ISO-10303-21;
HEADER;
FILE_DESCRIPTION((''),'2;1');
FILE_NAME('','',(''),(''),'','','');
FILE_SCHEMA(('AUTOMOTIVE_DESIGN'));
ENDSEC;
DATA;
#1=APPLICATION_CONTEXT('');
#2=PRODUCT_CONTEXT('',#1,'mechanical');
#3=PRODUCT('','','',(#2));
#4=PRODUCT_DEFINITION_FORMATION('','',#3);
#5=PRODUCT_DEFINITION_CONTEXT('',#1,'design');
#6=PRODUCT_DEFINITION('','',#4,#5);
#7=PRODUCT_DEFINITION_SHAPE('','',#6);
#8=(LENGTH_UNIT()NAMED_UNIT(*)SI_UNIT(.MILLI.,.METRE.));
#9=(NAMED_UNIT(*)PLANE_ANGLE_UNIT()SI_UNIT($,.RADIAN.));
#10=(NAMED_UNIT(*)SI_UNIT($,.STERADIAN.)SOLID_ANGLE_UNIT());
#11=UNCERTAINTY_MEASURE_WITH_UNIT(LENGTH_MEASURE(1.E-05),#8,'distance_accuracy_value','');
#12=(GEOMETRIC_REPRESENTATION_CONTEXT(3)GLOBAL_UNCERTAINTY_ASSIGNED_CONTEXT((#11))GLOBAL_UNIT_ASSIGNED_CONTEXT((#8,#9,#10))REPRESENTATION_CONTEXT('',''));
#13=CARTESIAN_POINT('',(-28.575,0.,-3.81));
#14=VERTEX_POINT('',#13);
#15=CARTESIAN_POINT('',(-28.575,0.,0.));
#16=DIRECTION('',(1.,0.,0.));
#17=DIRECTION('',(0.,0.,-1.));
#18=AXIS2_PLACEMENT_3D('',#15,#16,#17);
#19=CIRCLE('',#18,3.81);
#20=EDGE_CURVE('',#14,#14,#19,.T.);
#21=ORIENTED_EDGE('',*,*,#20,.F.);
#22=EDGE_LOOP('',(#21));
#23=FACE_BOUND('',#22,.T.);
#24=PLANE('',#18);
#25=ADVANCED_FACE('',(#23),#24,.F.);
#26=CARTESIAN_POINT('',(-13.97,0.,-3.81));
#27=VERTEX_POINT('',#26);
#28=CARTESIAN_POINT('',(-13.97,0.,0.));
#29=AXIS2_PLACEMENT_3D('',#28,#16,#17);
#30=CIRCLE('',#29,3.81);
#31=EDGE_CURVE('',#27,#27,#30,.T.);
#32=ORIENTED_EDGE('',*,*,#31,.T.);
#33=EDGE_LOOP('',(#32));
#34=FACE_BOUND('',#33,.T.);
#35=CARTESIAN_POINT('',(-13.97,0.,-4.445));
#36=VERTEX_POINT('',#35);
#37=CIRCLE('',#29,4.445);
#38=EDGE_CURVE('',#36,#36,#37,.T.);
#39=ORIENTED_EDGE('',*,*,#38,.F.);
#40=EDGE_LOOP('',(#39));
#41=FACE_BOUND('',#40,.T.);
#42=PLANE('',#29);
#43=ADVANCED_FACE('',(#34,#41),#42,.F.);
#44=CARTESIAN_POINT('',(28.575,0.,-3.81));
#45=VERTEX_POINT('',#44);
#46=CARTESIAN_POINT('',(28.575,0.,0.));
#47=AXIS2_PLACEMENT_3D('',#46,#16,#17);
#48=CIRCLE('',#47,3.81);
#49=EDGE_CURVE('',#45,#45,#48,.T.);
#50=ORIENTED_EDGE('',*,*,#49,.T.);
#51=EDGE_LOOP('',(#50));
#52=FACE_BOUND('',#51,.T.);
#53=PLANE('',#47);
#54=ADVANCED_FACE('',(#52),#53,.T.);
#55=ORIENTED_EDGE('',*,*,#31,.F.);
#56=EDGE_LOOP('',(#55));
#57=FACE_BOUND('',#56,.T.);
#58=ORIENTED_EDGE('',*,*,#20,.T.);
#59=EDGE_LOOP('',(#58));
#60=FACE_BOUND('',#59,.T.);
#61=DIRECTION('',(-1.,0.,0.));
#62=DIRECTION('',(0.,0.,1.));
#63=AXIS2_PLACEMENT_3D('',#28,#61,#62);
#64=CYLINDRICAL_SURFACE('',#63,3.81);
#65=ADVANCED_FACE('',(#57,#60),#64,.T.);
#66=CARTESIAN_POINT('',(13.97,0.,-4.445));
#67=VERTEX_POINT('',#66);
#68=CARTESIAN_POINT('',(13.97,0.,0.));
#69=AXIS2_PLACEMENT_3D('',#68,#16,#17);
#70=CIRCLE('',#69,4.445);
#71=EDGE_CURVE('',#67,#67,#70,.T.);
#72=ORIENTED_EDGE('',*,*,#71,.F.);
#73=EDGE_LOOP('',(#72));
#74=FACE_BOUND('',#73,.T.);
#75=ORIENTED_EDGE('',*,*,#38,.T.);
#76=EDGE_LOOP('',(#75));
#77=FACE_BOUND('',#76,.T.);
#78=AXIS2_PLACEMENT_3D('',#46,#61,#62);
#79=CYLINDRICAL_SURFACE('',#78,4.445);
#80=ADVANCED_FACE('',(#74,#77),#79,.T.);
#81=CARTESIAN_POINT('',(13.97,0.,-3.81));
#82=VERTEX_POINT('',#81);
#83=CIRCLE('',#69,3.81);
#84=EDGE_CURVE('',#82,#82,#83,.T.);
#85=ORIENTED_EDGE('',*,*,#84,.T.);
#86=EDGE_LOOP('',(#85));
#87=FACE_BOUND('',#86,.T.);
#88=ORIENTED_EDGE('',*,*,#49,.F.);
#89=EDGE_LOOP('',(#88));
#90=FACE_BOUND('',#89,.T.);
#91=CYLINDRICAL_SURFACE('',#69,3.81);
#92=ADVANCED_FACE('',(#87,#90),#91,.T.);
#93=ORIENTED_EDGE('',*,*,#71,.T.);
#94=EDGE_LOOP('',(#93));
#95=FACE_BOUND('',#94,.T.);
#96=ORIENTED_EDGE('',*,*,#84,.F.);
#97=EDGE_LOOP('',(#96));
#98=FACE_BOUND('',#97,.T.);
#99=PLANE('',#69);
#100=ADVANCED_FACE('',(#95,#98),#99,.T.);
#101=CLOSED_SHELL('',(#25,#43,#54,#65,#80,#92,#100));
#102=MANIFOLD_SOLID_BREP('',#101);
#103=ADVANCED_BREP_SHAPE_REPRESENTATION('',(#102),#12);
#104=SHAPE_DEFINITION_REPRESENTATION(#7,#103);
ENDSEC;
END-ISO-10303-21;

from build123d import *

# Parameters (mm, degrees)
SKETCH1_R               = 4.445
BOSS_EXTRUDE1_DEPTH     = 28.575
SKETCH2_R               = 6.35
SKETCH2_R_2             = 3.81
CUT_EXTRUDE_THIN1_DEPTH = 14.605


with BuildPart() as part:
    # Sketch1 → Boss-Extrude1 (new body, symmetric)
    with BuildSketch(Plane(origin=(0, 0, 0), x_dir=(0, 0, -1), z_dir=(1, 0, 0))):
        Circle(SKETCH1_R)
    extrude(amount=BOSS_EXTRUDE1_DEPTH, both=True)

    # Sketch2 → Cut-Extrude-Thin1 (cut)
    with BuildSketch(Plane(origin=(28.575, 0, 0), x_dir=(0, 0, -1), z_dir=(1, 0, 0))):
        Circle(SKETCH2_R)
        Circle(SKETCH2_R_2, mode=Mode.SUBTRACT)
    cut_extrude_thin1 = extrude(amount=-CUT_EXTRUDE_THIN1_DEPTH, mode=Mode.SUBTRACT)

    # Mirror1: Cut-Extrude-Thin1 across plane
    add(cut_extrude_thin1.mirror(Plane(origin=(0, 0, 0), x_dir=(0, 0, 1), z_dir=(1, 0, 0))), mode=Mode.SUBTRACT)


solid = part.part
